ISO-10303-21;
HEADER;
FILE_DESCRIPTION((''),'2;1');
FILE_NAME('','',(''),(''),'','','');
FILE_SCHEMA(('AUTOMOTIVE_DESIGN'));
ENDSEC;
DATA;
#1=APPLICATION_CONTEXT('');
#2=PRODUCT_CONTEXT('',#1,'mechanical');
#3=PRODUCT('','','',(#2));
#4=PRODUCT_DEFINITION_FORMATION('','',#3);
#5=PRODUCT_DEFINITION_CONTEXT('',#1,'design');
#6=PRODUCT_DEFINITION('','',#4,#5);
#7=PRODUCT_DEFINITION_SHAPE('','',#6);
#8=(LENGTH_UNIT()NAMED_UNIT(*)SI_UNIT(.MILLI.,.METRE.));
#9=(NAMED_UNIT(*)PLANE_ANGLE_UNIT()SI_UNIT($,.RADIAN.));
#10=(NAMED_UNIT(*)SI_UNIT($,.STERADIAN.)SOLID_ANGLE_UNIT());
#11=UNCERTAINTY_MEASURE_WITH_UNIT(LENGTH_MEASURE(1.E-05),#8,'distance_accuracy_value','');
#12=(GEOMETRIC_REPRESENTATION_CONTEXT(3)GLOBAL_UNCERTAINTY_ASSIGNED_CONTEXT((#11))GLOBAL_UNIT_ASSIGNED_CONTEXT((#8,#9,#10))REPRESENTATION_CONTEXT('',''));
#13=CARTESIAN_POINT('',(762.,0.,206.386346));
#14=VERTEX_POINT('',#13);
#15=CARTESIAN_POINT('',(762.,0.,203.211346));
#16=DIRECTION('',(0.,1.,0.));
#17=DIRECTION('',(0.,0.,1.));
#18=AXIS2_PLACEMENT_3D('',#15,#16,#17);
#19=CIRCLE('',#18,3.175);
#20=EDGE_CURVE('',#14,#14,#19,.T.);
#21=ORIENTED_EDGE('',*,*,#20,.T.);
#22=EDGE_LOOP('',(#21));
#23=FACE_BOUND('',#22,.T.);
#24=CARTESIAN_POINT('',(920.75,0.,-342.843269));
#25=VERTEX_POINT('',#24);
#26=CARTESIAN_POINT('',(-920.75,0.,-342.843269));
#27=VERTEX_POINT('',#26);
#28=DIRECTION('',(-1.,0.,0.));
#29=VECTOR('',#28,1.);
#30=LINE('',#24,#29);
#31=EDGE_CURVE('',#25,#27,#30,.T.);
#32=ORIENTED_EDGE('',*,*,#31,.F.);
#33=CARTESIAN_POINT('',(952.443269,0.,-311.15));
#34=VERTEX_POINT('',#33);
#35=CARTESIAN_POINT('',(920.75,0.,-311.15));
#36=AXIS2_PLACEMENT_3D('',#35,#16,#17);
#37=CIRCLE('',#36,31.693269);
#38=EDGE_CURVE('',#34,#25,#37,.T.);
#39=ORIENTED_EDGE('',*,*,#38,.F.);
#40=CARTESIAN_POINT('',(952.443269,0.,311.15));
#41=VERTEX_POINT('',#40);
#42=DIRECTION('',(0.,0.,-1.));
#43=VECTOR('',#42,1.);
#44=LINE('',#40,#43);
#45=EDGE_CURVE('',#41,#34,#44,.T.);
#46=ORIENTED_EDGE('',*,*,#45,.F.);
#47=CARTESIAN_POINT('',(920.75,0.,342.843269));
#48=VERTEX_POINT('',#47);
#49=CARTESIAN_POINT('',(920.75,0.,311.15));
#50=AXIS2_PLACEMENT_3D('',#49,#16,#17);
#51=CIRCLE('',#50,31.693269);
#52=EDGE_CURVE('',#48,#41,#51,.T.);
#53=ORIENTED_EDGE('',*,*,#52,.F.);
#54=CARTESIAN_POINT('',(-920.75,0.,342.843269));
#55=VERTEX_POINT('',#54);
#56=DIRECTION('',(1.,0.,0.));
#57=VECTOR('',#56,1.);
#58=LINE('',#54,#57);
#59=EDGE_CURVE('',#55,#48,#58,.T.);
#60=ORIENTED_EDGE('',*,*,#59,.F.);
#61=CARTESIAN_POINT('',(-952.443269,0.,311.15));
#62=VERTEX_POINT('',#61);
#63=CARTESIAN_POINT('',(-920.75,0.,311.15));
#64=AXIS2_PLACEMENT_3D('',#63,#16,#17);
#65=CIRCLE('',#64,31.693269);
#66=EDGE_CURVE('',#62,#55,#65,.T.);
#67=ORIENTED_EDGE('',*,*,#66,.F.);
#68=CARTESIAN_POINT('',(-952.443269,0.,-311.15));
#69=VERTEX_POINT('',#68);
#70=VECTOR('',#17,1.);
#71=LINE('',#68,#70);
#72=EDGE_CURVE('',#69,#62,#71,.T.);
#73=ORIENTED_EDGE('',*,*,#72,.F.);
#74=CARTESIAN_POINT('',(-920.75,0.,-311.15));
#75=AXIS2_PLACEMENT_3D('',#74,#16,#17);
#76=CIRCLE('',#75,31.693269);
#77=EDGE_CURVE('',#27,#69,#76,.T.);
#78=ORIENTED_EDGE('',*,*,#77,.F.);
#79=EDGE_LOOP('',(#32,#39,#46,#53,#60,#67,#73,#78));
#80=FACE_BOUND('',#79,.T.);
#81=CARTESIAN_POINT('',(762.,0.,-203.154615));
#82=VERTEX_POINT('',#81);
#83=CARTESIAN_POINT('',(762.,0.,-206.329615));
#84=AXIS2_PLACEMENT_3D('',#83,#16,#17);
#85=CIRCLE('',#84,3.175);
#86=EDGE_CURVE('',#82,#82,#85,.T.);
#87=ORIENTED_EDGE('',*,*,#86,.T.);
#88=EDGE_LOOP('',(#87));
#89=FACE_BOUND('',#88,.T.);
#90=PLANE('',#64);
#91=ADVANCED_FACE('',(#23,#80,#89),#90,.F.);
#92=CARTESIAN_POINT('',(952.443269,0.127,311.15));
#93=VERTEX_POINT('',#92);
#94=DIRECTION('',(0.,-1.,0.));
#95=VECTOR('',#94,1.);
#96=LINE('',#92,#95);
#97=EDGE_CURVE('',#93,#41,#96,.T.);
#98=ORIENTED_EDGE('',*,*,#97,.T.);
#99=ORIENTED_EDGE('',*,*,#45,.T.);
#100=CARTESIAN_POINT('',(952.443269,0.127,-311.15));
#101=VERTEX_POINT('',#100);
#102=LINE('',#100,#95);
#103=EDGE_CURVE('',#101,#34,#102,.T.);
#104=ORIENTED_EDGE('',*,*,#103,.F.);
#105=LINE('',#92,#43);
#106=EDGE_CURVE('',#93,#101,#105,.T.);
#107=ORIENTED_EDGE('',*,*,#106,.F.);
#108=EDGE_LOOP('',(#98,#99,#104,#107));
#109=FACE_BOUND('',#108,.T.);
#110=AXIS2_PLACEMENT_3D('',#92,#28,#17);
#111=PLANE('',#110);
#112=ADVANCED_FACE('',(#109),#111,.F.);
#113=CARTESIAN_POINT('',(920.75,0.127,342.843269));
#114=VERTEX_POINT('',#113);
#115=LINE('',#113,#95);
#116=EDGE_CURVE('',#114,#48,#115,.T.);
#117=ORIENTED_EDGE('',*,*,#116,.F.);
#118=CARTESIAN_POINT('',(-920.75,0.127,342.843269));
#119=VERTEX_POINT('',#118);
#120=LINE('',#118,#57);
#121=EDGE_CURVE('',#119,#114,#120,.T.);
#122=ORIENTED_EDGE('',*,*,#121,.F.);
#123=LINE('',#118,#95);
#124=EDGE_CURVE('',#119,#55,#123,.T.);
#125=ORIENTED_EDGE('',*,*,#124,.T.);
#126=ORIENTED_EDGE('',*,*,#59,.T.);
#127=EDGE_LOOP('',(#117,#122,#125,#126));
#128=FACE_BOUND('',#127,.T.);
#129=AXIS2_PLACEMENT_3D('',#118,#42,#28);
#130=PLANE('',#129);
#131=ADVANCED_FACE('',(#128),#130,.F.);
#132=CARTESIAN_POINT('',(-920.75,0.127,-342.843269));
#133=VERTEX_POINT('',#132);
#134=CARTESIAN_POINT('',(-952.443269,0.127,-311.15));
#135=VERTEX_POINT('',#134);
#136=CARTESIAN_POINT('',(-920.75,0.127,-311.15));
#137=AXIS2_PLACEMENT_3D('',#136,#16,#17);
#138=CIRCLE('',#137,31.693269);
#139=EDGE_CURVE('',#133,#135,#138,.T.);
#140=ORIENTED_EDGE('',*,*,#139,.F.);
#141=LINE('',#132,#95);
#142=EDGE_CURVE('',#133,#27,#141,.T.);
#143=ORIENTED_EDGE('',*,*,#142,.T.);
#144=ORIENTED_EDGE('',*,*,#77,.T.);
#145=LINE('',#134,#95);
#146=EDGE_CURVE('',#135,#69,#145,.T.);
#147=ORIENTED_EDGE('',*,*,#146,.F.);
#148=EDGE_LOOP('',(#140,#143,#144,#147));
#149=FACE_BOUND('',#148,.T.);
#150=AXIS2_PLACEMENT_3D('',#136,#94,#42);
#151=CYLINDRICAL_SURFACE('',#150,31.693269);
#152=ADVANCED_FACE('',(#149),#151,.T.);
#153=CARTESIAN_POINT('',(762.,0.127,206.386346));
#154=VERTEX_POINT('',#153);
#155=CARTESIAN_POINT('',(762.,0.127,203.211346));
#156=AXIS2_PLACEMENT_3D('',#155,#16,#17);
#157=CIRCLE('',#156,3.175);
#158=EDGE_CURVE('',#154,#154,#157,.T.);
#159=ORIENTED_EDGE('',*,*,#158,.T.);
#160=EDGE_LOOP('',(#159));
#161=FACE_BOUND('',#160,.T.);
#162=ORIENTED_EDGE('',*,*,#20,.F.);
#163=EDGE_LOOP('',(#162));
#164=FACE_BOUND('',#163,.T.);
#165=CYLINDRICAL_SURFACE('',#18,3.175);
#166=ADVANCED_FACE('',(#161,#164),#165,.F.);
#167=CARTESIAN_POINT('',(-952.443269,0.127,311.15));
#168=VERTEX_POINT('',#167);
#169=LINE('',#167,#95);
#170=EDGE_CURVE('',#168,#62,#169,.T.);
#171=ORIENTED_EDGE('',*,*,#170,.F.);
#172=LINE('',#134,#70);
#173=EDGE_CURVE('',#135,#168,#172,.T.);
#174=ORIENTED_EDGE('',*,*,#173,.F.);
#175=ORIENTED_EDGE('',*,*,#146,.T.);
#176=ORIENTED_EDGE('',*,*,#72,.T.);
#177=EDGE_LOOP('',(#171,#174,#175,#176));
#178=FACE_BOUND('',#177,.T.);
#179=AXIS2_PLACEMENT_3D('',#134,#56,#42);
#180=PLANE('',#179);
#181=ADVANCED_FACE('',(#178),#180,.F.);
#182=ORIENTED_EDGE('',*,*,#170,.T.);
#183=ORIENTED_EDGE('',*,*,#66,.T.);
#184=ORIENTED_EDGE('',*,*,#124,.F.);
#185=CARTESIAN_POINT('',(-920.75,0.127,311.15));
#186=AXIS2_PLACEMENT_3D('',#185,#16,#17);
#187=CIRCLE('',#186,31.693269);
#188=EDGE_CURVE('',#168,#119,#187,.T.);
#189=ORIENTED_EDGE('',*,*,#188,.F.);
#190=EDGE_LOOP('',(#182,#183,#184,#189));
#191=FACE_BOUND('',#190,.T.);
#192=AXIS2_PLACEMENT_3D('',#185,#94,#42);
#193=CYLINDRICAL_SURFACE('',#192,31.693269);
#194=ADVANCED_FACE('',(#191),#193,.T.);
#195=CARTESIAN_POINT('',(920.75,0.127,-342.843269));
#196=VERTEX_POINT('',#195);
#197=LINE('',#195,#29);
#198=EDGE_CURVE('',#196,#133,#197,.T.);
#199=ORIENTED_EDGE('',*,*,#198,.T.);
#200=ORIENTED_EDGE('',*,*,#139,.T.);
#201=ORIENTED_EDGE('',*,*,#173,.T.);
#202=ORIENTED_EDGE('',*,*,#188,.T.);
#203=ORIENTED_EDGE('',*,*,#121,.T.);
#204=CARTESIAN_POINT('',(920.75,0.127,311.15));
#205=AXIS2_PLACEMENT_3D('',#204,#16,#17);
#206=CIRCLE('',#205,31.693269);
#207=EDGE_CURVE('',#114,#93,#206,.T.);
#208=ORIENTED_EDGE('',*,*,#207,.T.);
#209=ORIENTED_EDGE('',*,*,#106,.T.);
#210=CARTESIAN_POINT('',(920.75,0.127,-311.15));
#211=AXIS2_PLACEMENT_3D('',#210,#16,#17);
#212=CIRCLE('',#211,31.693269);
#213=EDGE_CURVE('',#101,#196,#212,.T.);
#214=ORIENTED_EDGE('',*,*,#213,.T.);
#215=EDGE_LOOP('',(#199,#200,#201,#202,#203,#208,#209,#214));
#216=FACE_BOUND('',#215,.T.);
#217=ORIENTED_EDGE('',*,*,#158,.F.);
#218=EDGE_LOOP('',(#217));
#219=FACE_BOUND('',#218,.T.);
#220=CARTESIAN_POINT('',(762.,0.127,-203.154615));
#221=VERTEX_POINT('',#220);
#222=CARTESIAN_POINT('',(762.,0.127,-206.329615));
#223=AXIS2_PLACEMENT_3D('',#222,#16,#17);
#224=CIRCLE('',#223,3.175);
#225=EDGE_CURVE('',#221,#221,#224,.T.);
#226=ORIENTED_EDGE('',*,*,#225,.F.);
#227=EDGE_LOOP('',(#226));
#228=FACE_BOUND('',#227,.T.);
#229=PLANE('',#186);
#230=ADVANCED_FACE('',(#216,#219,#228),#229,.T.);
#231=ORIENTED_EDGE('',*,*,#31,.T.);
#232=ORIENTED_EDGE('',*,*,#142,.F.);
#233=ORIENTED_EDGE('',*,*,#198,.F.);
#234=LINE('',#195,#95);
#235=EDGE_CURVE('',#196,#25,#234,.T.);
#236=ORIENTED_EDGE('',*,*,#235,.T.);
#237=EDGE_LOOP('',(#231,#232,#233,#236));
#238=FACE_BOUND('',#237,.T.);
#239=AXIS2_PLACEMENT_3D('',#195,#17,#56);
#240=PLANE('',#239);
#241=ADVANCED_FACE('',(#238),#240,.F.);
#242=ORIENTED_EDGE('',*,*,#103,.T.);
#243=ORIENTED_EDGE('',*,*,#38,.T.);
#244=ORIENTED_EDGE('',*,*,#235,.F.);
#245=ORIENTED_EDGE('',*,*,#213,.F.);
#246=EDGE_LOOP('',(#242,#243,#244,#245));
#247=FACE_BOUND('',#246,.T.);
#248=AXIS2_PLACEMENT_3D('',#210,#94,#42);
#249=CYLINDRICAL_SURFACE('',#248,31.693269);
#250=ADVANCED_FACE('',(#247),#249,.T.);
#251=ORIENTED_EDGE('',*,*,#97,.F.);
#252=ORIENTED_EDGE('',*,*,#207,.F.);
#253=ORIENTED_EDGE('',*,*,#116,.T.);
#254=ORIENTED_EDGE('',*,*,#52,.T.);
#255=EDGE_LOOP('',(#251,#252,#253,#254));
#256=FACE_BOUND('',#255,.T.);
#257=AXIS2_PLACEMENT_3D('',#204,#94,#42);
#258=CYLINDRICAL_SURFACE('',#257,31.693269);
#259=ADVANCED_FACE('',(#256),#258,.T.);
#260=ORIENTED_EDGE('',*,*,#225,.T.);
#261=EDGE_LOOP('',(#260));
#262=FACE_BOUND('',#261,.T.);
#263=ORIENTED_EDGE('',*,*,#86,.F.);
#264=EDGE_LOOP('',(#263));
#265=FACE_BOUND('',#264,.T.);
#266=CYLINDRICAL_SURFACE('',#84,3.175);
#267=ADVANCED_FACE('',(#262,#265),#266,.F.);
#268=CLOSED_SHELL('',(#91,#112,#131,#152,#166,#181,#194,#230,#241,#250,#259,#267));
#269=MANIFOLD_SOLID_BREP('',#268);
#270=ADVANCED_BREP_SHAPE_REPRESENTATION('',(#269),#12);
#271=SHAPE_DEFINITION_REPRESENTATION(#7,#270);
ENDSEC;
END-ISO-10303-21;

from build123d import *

# Parameters (mm, degrees)
BOSS_EXTRUDE1_DEPTH = 0.127
SKETCH2_R           = 3.175
CUT_EXTRUDE1_DEPTH  = 1013.269581013


with BuildPart() as part:
    # Sketch1 → Boss-Extrude1 (new body)
    with BuildSketch(Plane(origin=(0, 0, 0), x_dir=(1, 0, 0), z_dir=(0, 1, 0))):
        with BuildLine():
            Line((-920.75, -342.843269291), (920.75, -342.843269291))
            ThreePointArc((920.75, -342.843269291), (943.160525634, -333.560525634), (952.443269291, -311.15))
            Line((952.443269291, -311.15), (952.443269291, 311.15))
            ThreePointArc((952.443269291, 311.15), (943.160525634, 333.560525634), (920.75, 342.843269291))
            Line((920.75, 342.843269291), (-920.75, 342.843269291))
            ThreePointArc((-920.75, 342.843269291), (-943.160525634, 333.560525634), (-952.443269291, 311.15))
            Line((-952.443269291, 311.15), (-952.443269291, -311.15))
            ThreePointArc((-952.443269291, -311.15), (-943.160525634, -333.560525634), (-920.75, -342.843269291))
        make_face()
    extrude(amount=BOSS_EXTRUDE1_DEPTH)

    # Sketch2 → Cut-Extrude1 (cut, through all)
    with BuildSketch(Plane(origin=(0, 0.127, 0), x_dir=(1, 0, 0), z_dir=(0, 1, 0))):
        with Locations(Location((762, 206.329615433, 0), (0, 0, 270))):
            Circle(SKETCH2_R)
        with Locations(Location((762, -203.211346142, 0), (0, 0, 270))):
            Circle(SKETCH2_R)
    extrude(amount=-CUT_EXTRUDE1_DEPTH, mode=Mode.SUBTRACT)


solid = part.part
